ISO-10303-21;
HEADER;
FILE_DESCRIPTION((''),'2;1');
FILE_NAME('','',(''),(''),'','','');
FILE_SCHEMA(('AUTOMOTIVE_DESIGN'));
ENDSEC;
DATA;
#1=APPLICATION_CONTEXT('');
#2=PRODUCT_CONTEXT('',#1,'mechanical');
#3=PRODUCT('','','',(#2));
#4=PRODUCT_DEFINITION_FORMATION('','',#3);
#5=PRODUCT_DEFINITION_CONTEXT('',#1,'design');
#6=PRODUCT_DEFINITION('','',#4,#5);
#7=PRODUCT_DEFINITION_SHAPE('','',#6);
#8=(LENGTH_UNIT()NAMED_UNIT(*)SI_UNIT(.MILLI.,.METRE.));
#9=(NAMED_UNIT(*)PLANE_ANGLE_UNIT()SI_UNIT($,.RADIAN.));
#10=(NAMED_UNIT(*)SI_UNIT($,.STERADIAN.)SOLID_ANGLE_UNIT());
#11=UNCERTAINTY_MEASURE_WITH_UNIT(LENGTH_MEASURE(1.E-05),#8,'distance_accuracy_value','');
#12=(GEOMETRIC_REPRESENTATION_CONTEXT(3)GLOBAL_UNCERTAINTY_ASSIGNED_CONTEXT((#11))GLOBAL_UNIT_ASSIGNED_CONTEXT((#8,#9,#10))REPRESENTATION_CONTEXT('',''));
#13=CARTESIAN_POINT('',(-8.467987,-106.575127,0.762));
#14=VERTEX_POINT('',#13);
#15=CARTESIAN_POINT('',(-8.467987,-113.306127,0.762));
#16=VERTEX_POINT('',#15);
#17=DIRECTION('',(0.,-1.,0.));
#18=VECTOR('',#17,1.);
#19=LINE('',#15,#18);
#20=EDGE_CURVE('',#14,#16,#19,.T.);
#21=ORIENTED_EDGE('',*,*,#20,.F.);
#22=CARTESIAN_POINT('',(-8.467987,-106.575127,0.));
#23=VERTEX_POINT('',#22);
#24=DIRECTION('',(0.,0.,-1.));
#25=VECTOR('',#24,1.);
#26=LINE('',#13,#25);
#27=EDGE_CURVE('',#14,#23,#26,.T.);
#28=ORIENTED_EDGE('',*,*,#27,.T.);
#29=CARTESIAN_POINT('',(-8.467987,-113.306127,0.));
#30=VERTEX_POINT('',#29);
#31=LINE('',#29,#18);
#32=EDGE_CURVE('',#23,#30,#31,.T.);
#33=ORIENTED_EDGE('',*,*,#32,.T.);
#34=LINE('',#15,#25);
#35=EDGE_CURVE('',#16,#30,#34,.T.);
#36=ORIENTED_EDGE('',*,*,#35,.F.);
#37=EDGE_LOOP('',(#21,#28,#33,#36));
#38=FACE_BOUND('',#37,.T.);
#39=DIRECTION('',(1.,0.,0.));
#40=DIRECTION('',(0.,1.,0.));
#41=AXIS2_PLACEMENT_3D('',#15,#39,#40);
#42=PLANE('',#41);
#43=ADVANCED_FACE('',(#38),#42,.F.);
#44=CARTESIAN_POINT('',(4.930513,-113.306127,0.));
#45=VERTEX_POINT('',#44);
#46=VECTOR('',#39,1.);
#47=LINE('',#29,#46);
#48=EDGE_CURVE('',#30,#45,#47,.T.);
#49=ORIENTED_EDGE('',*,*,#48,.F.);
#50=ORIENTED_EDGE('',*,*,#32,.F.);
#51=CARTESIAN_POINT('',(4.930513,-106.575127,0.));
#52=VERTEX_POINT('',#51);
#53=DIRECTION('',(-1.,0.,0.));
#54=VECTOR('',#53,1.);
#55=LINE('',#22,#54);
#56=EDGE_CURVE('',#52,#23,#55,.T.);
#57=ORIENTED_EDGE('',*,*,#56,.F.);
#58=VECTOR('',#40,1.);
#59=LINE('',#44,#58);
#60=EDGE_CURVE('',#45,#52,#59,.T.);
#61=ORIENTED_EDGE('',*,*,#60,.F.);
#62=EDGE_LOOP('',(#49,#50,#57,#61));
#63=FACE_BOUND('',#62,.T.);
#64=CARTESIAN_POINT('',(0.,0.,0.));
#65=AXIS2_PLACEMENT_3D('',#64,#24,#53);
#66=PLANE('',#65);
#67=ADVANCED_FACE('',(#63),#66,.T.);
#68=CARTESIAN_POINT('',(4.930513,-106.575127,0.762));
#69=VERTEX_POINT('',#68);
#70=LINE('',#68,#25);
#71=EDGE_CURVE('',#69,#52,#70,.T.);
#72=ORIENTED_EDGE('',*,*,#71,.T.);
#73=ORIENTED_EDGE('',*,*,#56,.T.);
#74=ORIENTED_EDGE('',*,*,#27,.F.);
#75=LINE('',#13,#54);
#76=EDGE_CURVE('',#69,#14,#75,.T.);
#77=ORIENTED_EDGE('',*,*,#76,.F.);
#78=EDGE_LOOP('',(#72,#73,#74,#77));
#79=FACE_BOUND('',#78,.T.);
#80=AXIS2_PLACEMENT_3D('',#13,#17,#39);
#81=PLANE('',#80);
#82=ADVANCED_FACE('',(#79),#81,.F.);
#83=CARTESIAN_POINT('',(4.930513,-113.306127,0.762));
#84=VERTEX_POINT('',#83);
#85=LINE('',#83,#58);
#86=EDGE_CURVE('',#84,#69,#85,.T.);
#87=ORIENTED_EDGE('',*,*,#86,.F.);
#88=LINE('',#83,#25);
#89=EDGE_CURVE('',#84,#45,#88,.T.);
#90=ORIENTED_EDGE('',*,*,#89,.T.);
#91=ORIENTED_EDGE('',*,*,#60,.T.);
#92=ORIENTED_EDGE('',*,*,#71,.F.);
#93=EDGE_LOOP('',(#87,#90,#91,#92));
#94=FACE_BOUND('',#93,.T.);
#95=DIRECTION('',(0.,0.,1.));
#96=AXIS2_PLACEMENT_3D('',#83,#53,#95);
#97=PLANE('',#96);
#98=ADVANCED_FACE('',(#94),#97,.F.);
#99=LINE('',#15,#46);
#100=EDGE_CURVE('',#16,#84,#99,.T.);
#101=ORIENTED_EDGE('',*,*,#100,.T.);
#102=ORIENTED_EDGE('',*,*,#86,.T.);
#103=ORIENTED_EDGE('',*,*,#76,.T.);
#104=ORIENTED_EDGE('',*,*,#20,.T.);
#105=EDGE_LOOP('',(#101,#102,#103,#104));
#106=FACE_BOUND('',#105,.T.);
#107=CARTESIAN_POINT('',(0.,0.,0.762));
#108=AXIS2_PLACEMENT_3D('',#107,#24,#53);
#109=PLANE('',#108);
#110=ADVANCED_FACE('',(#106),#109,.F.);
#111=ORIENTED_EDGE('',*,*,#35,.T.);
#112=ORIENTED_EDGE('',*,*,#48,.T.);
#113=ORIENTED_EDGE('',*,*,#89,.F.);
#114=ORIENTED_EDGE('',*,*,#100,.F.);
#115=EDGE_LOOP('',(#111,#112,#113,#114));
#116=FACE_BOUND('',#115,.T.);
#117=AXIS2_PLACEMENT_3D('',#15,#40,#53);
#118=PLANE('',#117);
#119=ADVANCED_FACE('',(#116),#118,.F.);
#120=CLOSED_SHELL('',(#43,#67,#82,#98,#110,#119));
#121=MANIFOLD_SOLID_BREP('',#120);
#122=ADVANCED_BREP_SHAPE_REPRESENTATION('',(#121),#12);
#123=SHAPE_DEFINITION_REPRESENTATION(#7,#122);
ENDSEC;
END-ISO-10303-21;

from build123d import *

# Parameters (mm, degrees)
SKETCH1_W           = 13.3985
SKETCH1_H           = 6.731
BOSS_EXTRUDE1_DEPTH = 0.762


with BuildPart() as part:
    # Sketch1 → Boss-Extrude1 (new body)
    with BuildSketch(Plane.XY):
        with Locations((-1.76873705, -109.940627468)):
            Rectangle(SKETCH1_W, SKETCH1_H)
    extrude(amount=BOSS_EXTRUDE1_DEPTH)


solid = part.part
